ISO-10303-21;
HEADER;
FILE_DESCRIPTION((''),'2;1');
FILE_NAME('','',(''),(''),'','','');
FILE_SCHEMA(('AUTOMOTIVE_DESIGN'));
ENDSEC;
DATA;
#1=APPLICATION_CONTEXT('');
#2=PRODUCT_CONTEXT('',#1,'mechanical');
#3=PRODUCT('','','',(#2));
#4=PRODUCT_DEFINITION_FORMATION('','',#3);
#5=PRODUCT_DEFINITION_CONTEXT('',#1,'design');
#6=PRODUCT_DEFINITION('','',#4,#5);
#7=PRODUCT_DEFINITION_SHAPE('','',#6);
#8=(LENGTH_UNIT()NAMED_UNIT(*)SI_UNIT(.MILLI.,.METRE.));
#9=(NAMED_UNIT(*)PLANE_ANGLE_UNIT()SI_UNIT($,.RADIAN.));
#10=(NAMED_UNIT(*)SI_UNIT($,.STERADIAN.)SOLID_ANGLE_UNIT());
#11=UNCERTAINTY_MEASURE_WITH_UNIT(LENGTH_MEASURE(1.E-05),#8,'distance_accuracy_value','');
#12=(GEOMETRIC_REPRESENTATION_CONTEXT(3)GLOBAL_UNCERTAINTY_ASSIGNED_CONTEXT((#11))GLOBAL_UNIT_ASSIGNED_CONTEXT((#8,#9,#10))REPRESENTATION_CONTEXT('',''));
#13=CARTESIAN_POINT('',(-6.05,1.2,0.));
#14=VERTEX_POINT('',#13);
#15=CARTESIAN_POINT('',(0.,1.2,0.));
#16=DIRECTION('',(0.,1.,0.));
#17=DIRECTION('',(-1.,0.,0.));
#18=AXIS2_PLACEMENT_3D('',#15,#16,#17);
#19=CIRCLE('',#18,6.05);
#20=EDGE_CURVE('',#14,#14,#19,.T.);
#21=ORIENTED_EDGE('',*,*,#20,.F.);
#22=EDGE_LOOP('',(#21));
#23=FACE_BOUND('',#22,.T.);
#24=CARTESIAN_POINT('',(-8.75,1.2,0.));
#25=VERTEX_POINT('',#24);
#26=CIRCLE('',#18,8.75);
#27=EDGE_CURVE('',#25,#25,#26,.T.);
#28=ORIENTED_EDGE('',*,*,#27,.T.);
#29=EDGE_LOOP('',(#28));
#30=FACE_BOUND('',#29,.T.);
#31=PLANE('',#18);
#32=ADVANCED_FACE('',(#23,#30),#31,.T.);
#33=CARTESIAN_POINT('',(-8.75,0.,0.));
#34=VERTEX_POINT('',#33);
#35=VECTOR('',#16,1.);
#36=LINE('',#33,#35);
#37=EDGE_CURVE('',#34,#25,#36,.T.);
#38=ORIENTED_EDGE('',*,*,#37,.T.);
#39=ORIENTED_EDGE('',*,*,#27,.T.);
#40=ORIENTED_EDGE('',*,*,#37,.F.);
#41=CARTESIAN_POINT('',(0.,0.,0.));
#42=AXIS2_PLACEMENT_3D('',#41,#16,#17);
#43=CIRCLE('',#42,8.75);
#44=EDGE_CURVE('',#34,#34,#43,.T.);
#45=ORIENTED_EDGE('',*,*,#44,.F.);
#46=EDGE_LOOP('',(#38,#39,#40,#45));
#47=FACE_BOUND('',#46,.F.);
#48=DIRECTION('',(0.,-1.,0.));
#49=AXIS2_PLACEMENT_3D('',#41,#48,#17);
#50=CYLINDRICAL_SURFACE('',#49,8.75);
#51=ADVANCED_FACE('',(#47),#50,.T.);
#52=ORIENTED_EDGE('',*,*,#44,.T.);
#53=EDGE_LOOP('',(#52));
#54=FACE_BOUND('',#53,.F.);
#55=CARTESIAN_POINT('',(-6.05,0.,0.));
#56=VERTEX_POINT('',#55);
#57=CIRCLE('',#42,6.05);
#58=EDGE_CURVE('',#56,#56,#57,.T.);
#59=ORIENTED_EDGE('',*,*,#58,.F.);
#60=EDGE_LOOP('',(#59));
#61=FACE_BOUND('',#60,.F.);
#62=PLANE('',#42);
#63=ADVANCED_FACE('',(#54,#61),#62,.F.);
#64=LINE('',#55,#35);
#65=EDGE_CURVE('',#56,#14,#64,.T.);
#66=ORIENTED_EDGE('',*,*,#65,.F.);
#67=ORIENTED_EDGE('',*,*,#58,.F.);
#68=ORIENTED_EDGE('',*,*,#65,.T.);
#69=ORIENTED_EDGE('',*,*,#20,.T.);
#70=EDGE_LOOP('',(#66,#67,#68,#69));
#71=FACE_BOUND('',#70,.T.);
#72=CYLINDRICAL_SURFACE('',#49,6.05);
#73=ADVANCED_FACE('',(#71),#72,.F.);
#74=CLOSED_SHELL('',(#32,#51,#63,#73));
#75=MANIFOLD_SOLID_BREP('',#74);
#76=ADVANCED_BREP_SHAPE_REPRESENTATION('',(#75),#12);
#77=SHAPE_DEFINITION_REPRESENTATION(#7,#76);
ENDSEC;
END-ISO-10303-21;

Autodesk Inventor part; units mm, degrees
ref_plane "YZ Plane" through (0, 0, 0) normal (1, 0, 0) x (0, 1, 0)
ref_plane "XZ Plane" through (0, 0, 0) normal (0, 1, 0) x (-1, 0, 0)
ref_plane "XY Plane" through (0, 0, 0) normal (0, 0, 1) x (1, 0, 0)
sketch "Sketch1" plane through (0, 0, 0) normal (0, 1, 0) x (-1, 0, 0)
  circle A0 centre (0, 0) radius 8.75
  circle A1 centre (0, 0) radius 6.05
  dimension "d0" = 17.5
  dimension "d1" = 12.1
extrude "Extrusion1" add sketch "Sketch1" along normal blind 1.2
properties part number "Sprung Button Seal Washer"
